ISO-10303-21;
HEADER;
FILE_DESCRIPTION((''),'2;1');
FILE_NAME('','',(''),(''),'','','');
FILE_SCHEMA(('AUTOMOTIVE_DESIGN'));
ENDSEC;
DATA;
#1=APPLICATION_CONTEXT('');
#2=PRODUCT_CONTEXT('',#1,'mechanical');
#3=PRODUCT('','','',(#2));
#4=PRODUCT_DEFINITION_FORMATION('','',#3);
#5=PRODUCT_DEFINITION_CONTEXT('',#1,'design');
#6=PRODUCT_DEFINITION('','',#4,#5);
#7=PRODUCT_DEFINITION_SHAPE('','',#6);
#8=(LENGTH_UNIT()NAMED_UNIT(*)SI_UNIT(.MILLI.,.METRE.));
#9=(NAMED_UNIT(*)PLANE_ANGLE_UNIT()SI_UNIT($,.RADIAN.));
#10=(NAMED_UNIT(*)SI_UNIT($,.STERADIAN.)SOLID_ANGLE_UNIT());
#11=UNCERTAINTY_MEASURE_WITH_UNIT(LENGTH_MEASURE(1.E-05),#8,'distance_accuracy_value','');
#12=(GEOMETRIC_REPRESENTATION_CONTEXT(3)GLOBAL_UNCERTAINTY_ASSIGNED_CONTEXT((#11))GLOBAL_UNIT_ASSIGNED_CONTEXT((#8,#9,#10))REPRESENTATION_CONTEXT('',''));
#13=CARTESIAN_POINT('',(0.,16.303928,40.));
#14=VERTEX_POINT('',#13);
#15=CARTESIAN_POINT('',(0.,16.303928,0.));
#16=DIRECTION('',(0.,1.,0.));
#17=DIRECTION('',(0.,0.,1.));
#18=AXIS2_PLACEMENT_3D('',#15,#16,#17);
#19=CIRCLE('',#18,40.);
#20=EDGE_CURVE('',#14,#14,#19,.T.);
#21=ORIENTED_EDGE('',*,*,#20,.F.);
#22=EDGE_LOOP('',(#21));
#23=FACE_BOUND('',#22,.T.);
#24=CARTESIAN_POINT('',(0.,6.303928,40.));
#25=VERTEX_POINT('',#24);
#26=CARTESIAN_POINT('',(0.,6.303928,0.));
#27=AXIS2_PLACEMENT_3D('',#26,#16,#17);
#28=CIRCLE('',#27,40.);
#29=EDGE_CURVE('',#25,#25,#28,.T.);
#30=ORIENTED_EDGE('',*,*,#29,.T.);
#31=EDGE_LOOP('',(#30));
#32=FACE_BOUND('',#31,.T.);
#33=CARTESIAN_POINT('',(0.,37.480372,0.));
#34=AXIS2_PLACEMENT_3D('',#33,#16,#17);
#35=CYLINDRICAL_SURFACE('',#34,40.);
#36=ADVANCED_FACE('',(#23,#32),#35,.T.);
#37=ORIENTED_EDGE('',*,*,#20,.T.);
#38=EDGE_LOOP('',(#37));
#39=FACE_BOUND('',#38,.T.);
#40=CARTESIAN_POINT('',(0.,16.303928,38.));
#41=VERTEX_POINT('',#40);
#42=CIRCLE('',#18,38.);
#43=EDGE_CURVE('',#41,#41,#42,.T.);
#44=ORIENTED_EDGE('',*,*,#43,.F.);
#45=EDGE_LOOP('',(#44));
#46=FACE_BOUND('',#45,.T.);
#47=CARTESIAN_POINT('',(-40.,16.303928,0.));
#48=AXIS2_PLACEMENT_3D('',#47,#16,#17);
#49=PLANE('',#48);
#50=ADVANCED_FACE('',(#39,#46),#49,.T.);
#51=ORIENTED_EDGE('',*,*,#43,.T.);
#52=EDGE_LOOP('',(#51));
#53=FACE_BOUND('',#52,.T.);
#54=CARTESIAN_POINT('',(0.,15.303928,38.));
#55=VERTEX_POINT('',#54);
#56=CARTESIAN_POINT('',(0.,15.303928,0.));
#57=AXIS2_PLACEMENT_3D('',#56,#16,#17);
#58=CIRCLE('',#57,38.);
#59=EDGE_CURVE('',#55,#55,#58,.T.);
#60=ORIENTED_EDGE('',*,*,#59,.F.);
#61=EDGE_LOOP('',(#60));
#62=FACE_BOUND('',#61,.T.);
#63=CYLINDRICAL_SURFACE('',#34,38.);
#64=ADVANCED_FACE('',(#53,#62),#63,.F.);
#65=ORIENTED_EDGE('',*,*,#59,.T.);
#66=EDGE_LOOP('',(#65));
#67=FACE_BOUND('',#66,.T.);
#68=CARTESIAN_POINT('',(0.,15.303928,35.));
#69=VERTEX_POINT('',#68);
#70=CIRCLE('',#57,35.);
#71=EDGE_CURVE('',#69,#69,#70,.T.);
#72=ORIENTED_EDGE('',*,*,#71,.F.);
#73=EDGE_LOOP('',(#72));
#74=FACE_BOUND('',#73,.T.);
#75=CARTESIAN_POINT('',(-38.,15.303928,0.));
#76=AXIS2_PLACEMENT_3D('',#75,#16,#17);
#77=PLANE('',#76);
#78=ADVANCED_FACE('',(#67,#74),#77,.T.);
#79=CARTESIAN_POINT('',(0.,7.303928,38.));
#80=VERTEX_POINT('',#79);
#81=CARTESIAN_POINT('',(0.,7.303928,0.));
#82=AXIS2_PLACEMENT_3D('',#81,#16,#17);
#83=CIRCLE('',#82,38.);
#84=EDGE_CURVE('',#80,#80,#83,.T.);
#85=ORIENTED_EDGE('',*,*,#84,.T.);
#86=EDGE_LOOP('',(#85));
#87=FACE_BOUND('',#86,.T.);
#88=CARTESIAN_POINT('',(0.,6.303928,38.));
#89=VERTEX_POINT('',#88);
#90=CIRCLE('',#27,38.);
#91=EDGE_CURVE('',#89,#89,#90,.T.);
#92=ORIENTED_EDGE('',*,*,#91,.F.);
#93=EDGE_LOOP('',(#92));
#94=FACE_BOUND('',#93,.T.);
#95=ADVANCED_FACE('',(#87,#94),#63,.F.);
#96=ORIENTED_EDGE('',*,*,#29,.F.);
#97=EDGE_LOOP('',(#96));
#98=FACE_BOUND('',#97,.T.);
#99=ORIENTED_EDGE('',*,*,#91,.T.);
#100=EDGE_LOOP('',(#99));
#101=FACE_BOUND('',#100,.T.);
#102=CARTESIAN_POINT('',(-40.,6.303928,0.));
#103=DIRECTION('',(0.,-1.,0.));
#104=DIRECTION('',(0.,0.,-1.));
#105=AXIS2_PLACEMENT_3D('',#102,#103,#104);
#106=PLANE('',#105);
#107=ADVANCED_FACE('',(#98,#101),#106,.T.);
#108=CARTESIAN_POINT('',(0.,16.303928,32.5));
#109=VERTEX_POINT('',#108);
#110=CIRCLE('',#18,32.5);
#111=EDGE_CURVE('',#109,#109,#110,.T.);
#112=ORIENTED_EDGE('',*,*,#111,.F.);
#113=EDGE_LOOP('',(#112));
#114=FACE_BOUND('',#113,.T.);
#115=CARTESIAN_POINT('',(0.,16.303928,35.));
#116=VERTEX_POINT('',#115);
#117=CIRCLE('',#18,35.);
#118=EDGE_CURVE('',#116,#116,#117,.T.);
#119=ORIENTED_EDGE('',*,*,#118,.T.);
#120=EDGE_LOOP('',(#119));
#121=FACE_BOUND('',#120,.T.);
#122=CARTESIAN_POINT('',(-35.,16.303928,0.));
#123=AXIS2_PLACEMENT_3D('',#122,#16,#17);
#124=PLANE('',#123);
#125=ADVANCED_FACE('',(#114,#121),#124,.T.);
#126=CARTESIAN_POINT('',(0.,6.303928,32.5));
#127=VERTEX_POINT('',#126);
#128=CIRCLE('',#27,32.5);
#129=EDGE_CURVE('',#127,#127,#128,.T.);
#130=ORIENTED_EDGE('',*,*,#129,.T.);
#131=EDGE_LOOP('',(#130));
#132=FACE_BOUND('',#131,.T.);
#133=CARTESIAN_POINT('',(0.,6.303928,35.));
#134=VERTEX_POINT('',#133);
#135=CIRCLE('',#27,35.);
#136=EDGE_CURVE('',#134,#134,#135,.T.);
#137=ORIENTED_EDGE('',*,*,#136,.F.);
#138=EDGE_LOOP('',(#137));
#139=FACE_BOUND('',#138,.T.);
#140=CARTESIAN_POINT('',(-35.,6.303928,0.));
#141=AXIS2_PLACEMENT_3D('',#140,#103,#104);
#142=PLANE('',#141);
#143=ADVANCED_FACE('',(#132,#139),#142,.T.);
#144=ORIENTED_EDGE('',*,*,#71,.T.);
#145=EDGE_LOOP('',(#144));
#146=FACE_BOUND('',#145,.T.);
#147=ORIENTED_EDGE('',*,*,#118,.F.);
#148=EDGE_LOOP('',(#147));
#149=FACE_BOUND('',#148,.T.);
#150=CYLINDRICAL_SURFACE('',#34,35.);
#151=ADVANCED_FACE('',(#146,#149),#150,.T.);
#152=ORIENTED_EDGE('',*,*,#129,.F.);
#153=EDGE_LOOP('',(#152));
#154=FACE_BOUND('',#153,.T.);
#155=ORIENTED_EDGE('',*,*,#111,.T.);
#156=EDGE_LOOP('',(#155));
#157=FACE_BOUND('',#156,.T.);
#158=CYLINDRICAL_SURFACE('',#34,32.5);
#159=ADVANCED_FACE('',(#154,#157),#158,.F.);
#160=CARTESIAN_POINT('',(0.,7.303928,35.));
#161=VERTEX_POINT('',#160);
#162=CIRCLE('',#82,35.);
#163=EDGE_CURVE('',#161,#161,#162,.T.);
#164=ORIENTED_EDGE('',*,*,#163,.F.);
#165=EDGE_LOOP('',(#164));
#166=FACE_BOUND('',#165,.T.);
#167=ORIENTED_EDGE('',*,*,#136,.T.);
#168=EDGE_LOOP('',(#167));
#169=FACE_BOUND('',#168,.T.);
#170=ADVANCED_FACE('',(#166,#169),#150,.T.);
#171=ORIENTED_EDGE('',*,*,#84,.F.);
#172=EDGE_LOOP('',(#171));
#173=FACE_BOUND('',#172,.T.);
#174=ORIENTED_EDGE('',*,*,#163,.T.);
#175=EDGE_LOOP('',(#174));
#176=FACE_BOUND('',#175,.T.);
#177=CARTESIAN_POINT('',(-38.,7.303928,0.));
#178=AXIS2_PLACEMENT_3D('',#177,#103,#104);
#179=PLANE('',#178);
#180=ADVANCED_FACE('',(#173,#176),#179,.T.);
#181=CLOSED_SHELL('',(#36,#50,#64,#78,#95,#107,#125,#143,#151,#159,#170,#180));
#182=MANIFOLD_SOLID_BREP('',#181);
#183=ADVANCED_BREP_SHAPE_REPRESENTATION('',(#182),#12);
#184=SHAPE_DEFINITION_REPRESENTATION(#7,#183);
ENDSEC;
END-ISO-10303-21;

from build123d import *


with BuildPart() as part:
    # 草图2 → 旋转1 (revolve)
    with BuildSketch(Plane.XY):
        Polygon((-38, 16.303928242), (-38, 15.303928242), (-35, 15.303928242), (-35, 16.303928242), (-32.5, 16.303928242), (-32.5, 6.303928242), (-35, 6.303928242), (-35, 7.303928242), (-38, 7.303928242), (-38, 6.303928242), (-40, 6.303928242), (-40, 16.303928242), align=None)
    revolve(axis=Axis((0, 37.480371566, 0), (0, -1, 0)))


solid = part.part
